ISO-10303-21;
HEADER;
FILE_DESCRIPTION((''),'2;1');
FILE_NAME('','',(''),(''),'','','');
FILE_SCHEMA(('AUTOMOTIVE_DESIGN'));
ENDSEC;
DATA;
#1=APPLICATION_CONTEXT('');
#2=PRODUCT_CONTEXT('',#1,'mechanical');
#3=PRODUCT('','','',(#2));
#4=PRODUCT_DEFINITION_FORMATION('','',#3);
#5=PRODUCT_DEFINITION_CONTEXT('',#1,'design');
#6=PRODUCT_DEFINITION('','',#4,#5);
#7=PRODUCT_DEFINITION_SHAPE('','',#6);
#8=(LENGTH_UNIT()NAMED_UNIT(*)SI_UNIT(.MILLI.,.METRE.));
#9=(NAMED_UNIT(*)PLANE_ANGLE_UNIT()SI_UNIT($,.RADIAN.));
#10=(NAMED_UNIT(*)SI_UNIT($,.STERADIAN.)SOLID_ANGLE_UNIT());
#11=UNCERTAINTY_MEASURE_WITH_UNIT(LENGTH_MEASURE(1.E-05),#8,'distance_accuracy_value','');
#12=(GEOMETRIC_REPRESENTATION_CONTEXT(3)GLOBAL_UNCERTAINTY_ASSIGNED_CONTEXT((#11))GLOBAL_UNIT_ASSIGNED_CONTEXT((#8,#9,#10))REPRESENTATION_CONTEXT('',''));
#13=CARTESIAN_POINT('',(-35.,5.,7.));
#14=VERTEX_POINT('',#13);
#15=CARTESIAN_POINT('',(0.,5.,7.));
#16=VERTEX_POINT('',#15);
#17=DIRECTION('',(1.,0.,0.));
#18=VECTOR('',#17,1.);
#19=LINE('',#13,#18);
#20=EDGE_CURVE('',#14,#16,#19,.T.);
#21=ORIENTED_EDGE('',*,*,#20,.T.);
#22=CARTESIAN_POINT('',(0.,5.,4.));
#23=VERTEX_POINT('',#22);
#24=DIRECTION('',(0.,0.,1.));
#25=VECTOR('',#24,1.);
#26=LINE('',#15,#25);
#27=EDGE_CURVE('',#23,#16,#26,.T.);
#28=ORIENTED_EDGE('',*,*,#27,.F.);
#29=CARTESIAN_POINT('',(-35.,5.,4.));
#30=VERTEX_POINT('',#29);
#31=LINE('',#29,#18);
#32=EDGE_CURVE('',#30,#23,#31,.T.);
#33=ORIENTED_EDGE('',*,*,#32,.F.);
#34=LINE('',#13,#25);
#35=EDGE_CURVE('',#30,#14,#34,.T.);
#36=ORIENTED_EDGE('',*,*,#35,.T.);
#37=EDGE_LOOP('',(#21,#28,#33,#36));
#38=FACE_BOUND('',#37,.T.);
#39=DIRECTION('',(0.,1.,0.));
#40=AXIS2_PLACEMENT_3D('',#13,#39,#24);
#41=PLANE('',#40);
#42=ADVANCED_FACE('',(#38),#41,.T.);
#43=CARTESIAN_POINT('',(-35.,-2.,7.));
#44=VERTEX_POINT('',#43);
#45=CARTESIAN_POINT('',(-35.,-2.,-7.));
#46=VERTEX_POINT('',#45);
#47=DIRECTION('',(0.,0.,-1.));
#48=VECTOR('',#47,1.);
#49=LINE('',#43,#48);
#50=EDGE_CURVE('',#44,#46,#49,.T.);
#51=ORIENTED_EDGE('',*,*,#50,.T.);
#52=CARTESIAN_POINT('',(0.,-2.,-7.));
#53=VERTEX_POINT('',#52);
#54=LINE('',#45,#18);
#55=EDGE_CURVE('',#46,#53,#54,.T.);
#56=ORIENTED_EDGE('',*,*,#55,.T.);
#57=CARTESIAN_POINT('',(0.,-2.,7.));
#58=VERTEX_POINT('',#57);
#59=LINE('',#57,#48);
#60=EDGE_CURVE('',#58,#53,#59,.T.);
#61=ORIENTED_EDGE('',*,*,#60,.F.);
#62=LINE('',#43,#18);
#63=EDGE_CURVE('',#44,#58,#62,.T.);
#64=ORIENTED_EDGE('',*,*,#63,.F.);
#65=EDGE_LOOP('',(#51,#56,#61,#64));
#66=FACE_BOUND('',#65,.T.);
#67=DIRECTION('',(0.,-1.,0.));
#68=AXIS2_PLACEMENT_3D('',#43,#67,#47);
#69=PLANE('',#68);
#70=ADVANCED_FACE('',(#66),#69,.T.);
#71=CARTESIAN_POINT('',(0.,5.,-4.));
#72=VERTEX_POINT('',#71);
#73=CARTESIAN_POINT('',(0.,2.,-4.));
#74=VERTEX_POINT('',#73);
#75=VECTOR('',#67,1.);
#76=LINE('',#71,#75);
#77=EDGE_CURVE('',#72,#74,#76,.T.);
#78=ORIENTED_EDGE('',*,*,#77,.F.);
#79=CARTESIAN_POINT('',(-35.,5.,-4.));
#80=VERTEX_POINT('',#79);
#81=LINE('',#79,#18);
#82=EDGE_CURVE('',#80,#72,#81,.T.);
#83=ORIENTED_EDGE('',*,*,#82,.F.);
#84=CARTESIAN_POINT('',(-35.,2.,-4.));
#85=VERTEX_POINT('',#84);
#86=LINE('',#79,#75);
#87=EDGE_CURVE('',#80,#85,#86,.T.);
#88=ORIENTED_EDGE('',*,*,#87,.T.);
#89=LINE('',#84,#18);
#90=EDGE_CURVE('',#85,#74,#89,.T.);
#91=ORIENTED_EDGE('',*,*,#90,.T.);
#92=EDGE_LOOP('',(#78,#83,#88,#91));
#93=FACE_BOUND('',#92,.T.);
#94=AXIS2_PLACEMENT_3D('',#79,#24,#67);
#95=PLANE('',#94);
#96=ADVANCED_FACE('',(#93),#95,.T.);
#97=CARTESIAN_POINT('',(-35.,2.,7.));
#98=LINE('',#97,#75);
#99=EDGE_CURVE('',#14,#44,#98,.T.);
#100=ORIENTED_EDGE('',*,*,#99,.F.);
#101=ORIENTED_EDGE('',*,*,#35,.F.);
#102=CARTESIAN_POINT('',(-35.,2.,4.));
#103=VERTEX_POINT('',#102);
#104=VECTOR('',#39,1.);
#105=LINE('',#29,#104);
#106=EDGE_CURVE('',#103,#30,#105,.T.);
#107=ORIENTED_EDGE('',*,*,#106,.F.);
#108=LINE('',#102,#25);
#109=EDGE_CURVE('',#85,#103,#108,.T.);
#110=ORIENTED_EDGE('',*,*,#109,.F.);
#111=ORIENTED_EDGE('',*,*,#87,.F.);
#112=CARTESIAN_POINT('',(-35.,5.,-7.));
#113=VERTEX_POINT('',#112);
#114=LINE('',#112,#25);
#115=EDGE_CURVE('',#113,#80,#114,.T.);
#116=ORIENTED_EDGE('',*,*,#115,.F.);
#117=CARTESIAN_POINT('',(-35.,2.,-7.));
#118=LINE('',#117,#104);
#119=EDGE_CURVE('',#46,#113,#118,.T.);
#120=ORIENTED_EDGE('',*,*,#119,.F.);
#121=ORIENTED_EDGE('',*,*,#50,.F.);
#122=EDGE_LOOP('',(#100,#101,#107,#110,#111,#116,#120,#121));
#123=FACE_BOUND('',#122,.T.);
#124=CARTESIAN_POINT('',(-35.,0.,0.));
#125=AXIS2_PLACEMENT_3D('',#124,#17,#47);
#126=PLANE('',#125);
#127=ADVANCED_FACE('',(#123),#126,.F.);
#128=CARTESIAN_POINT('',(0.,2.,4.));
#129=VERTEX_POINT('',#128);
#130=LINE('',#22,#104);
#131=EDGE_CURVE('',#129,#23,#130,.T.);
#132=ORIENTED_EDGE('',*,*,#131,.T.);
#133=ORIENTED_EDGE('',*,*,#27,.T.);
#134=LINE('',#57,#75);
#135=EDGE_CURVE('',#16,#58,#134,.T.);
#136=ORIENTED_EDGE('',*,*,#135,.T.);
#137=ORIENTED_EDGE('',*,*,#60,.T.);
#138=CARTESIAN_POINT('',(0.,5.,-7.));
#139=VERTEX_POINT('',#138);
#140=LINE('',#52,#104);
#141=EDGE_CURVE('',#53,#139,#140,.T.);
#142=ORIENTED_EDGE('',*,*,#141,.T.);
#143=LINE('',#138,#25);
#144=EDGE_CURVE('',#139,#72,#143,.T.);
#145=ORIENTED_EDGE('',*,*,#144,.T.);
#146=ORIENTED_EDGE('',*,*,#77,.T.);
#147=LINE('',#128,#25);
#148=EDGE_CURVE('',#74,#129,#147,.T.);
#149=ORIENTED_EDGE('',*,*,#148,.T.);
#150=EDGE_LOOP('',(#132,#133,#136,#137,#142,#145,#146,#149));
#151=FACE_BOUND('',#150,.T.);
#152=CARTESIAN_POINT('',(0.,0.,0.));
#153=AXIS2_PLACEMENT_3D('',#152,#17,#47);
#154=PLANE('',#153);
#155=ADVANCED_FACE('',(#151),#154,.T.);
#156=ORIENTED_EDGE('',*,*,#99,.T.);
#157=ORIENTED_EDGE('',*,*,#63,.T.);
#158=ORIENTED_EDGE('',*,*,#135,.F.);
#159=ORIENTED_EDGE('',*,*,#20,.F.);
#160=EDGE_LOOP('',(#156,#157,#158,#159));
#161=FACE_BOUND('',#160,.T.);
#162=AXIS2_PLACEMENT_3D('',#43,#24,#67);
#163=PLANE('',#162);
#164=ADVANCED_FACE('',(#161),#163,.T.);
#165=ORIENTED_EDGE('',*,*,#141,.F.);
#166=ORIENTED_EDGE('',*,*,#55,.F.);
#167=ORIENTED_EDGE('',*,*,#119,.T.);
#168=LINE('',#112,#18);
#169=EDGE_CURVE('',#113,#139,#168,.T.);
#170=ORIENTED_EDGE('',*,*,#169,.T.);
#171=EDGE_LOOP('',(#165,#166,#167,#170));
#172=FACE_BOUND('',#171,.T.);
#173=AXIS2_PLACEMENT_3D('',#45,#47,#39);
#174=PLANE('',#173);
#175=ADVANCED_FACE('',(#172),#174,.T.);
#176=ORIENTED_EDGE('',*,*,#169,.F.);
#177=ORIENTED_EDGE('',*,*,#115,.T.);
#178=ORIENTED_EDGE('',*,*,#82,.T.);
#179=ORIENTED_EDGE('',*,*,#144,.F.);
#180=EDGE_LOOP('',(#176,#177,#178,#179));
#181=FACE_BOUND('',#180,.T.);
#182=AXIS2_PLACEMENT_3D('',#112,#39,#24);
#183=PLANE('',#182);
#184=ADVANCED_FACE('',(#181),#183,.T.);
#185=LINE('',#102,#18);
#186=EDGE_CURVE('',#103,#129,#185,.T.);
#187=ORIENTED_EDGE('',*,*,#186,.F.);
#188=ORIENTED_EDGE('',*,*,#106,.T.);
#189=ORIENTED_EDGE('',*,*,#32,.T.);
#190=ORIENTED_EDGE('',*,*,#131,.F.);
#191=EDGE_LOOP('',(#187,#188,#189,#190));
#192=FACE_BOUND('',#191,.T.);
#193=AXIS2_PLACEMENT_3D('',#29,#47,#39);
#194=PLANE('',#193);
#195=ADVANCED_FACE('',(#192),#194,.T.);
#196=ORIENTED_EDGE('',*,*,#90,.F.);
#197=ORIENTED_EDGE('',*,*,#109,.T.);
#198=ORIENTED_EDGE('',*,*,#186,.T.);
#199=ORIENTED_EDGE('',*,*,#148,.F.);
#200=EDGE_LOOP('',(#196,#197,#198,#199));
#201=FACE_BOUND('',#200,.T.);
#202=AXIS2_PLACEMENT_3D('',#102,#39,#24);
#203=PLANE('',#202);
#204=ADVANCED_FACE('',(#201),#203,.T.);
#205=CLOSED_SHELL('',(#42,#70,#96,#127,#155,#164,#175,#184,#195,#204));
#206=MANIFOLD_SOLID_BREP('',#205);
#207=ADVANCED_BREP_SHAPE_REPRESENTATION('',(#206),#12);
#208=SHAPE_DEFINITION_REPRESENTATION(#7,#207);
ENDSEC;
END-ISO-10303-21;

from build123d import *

# Parameters (mm, degrees)
BOSS_EXTRUDE1_DEPTH = 35


with BuildPart() as part:
    # Sketch1 → Boss-Extrude1 (new body)
    with BuildSketch(Plane(origin=(0, 0, 0), x_dir=(0, 0, -1), z_dir=(1, 0, 0))):
        Polygon((-7, 2), (-7, 5), (-4, 5), (-4, 2), (4, 2), (4, 5), (7, 5), (7, 2), (7, -2), (-7, -2), align=None)
    extrude(amount=-BOSS_EXTRUDE1_DEPTH)


solid = part.part
